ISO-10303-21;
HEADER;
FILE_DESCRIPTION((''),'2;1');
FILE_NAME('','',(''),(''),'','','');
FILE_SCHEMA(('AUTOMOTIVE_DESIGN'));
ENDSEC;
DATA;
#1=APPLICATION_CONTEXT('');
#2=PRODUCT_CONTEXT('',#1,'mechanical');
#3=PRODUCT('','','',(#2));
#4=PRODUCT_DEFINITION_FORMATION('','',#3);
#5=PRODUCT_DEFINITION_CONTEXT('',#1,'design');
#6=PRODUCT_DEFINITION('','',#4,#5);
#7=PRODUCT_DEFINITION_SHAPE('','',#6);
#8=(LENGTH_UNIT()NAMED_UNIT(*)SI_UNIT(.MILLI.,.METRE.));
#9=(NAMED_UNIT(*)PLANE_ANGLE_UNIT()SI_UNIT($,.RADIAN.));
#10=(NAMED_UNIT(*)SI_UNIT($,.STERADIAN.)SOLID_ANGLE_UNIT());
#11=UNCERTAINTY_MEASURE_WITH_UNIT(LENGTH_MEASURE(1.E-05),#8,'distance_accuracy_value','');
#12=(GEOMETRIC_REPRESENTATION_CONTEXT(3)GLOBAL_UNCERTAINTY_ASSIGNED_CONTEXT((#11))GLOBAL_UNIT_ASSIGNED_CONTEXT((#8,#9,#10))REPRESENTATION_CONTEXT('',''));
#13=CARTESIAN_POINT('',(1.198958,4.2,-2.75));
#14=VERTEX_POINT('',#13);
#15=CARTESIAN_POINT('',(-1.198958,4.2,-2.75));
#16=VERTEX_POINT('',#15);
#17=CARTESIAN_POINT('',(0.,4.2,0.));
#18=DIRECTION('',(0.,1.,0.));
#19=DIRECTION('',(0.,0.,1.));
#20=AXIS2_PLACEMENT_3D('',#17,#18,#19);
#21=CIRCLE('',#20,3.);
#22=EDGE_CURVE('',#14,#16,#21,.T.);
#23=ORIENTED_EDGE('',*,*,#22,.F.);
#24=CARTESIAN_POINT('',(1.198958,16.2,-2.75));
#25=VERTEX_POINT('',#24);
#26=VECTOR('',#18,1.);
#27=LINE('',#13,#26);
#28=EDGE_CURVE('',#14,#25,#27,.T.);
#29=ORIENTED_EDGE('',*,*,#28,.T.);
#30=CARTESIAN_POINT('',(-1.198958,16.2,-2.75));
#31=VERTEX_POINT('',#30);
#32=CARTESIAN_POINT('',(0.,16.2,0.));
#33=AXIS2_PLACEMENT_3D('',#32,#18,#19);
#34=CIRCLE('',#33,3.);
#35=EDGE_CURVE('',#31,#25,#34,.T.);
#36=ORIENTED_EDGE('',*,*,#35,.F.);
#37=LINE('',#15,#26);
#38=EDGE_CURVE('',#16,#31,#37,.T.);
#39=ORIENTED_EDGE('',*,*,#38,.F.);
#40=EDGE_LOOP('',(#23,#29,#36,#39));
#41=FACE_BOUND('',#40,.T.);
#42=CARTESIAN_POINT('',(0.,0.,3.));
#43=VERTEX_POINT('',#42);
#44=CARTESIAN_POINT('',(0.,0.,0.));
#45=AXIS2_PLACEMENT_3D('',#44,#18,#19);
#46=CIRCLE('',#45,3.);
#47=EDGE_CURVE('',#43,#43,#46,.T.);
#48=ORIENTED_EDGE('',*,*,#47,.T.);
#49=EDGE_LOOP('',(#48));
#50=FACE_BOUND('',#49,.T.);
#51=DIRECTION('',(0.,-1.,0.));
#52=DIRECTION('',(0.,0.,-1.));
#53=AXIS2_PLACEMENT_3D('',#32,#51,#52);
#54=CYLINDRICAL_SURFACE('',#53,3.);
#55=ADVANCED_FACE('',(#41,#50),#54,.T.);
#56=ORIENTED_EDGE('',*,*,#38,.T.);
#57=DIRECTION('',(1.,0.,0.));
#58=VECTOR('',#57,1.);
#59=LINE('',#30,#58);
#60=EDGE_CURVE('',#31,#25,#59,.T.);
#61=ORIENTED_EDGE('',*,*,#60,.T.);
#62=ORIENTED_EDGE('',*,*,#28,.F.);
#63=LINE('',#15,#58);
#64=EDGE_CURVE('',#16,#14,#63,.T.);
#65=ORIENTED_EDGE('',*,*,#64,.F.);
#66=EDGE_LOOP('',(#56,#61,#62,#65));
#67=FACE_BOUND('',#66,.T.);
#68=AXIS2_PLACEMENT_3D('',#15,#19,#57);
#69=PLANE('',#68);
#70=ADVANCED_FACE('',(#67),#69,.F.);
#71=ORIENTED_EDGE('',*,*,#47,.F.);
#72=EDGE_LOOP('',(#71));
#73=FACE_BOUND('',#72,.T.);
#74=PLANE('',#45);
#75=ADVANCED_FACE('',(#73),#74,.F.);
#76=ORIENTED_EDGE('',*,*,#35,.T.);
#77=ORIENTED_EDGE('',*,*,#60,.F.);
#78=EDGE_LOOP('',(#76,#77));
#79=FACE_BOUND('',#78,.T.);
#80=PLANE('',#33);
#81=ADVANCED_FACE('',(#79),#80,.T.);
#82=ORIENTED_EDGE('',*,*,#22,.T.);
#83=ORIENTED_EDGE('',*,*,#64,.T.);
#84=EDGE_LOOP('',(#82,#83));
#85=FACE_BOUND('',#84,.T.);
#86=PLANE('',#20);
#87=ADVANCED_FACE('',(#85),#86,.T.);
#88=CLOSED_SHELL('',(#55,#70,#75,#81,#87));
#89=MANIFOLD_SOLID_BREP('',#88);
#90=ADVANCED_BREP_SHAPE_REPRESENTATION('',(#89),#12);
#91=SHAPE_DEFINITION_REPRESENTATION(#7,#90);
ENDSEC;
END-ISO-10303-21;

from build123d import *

# Parameters (mm, degrees)
SKETCH3_R           = 3
BOSS_EXTRUDE2_DEPTH = 16.2
CUT_EXTRUDE1_DEPTH  = 12


with BuildPart() as part:
    # Sketch3 → Boss-Extrude2 (new body)
    with BuildSketch(Plane(origin=(0, 0, 0), x_dir=(1, 0, 0), z_dir=(0, 1, 0))):
        Circle(SKETCH3_R)
    extrude(amount=BOSS_EXTRUDE2_DEPTH)

    # Sketch4 → Cut-Extrude1 (cut)
    with BuildSketch(Plane(origin=(0, 16.2, 0), x_dir=(1, 0, 0), z_dir=(0, 1, 0))):
        with BuildLine():
            Line((-1.198957881, 2.75), (1.198957881, 2.75))
            ThreePointArc((1.198957881, 2.75), (0, 3), (-1.198957881, 2.75))
        make_face()
    extrude(amount=-CUT_EXTRUDE1_DEPTH, mode=Mode.SUBTRACT)


solid = part.part
